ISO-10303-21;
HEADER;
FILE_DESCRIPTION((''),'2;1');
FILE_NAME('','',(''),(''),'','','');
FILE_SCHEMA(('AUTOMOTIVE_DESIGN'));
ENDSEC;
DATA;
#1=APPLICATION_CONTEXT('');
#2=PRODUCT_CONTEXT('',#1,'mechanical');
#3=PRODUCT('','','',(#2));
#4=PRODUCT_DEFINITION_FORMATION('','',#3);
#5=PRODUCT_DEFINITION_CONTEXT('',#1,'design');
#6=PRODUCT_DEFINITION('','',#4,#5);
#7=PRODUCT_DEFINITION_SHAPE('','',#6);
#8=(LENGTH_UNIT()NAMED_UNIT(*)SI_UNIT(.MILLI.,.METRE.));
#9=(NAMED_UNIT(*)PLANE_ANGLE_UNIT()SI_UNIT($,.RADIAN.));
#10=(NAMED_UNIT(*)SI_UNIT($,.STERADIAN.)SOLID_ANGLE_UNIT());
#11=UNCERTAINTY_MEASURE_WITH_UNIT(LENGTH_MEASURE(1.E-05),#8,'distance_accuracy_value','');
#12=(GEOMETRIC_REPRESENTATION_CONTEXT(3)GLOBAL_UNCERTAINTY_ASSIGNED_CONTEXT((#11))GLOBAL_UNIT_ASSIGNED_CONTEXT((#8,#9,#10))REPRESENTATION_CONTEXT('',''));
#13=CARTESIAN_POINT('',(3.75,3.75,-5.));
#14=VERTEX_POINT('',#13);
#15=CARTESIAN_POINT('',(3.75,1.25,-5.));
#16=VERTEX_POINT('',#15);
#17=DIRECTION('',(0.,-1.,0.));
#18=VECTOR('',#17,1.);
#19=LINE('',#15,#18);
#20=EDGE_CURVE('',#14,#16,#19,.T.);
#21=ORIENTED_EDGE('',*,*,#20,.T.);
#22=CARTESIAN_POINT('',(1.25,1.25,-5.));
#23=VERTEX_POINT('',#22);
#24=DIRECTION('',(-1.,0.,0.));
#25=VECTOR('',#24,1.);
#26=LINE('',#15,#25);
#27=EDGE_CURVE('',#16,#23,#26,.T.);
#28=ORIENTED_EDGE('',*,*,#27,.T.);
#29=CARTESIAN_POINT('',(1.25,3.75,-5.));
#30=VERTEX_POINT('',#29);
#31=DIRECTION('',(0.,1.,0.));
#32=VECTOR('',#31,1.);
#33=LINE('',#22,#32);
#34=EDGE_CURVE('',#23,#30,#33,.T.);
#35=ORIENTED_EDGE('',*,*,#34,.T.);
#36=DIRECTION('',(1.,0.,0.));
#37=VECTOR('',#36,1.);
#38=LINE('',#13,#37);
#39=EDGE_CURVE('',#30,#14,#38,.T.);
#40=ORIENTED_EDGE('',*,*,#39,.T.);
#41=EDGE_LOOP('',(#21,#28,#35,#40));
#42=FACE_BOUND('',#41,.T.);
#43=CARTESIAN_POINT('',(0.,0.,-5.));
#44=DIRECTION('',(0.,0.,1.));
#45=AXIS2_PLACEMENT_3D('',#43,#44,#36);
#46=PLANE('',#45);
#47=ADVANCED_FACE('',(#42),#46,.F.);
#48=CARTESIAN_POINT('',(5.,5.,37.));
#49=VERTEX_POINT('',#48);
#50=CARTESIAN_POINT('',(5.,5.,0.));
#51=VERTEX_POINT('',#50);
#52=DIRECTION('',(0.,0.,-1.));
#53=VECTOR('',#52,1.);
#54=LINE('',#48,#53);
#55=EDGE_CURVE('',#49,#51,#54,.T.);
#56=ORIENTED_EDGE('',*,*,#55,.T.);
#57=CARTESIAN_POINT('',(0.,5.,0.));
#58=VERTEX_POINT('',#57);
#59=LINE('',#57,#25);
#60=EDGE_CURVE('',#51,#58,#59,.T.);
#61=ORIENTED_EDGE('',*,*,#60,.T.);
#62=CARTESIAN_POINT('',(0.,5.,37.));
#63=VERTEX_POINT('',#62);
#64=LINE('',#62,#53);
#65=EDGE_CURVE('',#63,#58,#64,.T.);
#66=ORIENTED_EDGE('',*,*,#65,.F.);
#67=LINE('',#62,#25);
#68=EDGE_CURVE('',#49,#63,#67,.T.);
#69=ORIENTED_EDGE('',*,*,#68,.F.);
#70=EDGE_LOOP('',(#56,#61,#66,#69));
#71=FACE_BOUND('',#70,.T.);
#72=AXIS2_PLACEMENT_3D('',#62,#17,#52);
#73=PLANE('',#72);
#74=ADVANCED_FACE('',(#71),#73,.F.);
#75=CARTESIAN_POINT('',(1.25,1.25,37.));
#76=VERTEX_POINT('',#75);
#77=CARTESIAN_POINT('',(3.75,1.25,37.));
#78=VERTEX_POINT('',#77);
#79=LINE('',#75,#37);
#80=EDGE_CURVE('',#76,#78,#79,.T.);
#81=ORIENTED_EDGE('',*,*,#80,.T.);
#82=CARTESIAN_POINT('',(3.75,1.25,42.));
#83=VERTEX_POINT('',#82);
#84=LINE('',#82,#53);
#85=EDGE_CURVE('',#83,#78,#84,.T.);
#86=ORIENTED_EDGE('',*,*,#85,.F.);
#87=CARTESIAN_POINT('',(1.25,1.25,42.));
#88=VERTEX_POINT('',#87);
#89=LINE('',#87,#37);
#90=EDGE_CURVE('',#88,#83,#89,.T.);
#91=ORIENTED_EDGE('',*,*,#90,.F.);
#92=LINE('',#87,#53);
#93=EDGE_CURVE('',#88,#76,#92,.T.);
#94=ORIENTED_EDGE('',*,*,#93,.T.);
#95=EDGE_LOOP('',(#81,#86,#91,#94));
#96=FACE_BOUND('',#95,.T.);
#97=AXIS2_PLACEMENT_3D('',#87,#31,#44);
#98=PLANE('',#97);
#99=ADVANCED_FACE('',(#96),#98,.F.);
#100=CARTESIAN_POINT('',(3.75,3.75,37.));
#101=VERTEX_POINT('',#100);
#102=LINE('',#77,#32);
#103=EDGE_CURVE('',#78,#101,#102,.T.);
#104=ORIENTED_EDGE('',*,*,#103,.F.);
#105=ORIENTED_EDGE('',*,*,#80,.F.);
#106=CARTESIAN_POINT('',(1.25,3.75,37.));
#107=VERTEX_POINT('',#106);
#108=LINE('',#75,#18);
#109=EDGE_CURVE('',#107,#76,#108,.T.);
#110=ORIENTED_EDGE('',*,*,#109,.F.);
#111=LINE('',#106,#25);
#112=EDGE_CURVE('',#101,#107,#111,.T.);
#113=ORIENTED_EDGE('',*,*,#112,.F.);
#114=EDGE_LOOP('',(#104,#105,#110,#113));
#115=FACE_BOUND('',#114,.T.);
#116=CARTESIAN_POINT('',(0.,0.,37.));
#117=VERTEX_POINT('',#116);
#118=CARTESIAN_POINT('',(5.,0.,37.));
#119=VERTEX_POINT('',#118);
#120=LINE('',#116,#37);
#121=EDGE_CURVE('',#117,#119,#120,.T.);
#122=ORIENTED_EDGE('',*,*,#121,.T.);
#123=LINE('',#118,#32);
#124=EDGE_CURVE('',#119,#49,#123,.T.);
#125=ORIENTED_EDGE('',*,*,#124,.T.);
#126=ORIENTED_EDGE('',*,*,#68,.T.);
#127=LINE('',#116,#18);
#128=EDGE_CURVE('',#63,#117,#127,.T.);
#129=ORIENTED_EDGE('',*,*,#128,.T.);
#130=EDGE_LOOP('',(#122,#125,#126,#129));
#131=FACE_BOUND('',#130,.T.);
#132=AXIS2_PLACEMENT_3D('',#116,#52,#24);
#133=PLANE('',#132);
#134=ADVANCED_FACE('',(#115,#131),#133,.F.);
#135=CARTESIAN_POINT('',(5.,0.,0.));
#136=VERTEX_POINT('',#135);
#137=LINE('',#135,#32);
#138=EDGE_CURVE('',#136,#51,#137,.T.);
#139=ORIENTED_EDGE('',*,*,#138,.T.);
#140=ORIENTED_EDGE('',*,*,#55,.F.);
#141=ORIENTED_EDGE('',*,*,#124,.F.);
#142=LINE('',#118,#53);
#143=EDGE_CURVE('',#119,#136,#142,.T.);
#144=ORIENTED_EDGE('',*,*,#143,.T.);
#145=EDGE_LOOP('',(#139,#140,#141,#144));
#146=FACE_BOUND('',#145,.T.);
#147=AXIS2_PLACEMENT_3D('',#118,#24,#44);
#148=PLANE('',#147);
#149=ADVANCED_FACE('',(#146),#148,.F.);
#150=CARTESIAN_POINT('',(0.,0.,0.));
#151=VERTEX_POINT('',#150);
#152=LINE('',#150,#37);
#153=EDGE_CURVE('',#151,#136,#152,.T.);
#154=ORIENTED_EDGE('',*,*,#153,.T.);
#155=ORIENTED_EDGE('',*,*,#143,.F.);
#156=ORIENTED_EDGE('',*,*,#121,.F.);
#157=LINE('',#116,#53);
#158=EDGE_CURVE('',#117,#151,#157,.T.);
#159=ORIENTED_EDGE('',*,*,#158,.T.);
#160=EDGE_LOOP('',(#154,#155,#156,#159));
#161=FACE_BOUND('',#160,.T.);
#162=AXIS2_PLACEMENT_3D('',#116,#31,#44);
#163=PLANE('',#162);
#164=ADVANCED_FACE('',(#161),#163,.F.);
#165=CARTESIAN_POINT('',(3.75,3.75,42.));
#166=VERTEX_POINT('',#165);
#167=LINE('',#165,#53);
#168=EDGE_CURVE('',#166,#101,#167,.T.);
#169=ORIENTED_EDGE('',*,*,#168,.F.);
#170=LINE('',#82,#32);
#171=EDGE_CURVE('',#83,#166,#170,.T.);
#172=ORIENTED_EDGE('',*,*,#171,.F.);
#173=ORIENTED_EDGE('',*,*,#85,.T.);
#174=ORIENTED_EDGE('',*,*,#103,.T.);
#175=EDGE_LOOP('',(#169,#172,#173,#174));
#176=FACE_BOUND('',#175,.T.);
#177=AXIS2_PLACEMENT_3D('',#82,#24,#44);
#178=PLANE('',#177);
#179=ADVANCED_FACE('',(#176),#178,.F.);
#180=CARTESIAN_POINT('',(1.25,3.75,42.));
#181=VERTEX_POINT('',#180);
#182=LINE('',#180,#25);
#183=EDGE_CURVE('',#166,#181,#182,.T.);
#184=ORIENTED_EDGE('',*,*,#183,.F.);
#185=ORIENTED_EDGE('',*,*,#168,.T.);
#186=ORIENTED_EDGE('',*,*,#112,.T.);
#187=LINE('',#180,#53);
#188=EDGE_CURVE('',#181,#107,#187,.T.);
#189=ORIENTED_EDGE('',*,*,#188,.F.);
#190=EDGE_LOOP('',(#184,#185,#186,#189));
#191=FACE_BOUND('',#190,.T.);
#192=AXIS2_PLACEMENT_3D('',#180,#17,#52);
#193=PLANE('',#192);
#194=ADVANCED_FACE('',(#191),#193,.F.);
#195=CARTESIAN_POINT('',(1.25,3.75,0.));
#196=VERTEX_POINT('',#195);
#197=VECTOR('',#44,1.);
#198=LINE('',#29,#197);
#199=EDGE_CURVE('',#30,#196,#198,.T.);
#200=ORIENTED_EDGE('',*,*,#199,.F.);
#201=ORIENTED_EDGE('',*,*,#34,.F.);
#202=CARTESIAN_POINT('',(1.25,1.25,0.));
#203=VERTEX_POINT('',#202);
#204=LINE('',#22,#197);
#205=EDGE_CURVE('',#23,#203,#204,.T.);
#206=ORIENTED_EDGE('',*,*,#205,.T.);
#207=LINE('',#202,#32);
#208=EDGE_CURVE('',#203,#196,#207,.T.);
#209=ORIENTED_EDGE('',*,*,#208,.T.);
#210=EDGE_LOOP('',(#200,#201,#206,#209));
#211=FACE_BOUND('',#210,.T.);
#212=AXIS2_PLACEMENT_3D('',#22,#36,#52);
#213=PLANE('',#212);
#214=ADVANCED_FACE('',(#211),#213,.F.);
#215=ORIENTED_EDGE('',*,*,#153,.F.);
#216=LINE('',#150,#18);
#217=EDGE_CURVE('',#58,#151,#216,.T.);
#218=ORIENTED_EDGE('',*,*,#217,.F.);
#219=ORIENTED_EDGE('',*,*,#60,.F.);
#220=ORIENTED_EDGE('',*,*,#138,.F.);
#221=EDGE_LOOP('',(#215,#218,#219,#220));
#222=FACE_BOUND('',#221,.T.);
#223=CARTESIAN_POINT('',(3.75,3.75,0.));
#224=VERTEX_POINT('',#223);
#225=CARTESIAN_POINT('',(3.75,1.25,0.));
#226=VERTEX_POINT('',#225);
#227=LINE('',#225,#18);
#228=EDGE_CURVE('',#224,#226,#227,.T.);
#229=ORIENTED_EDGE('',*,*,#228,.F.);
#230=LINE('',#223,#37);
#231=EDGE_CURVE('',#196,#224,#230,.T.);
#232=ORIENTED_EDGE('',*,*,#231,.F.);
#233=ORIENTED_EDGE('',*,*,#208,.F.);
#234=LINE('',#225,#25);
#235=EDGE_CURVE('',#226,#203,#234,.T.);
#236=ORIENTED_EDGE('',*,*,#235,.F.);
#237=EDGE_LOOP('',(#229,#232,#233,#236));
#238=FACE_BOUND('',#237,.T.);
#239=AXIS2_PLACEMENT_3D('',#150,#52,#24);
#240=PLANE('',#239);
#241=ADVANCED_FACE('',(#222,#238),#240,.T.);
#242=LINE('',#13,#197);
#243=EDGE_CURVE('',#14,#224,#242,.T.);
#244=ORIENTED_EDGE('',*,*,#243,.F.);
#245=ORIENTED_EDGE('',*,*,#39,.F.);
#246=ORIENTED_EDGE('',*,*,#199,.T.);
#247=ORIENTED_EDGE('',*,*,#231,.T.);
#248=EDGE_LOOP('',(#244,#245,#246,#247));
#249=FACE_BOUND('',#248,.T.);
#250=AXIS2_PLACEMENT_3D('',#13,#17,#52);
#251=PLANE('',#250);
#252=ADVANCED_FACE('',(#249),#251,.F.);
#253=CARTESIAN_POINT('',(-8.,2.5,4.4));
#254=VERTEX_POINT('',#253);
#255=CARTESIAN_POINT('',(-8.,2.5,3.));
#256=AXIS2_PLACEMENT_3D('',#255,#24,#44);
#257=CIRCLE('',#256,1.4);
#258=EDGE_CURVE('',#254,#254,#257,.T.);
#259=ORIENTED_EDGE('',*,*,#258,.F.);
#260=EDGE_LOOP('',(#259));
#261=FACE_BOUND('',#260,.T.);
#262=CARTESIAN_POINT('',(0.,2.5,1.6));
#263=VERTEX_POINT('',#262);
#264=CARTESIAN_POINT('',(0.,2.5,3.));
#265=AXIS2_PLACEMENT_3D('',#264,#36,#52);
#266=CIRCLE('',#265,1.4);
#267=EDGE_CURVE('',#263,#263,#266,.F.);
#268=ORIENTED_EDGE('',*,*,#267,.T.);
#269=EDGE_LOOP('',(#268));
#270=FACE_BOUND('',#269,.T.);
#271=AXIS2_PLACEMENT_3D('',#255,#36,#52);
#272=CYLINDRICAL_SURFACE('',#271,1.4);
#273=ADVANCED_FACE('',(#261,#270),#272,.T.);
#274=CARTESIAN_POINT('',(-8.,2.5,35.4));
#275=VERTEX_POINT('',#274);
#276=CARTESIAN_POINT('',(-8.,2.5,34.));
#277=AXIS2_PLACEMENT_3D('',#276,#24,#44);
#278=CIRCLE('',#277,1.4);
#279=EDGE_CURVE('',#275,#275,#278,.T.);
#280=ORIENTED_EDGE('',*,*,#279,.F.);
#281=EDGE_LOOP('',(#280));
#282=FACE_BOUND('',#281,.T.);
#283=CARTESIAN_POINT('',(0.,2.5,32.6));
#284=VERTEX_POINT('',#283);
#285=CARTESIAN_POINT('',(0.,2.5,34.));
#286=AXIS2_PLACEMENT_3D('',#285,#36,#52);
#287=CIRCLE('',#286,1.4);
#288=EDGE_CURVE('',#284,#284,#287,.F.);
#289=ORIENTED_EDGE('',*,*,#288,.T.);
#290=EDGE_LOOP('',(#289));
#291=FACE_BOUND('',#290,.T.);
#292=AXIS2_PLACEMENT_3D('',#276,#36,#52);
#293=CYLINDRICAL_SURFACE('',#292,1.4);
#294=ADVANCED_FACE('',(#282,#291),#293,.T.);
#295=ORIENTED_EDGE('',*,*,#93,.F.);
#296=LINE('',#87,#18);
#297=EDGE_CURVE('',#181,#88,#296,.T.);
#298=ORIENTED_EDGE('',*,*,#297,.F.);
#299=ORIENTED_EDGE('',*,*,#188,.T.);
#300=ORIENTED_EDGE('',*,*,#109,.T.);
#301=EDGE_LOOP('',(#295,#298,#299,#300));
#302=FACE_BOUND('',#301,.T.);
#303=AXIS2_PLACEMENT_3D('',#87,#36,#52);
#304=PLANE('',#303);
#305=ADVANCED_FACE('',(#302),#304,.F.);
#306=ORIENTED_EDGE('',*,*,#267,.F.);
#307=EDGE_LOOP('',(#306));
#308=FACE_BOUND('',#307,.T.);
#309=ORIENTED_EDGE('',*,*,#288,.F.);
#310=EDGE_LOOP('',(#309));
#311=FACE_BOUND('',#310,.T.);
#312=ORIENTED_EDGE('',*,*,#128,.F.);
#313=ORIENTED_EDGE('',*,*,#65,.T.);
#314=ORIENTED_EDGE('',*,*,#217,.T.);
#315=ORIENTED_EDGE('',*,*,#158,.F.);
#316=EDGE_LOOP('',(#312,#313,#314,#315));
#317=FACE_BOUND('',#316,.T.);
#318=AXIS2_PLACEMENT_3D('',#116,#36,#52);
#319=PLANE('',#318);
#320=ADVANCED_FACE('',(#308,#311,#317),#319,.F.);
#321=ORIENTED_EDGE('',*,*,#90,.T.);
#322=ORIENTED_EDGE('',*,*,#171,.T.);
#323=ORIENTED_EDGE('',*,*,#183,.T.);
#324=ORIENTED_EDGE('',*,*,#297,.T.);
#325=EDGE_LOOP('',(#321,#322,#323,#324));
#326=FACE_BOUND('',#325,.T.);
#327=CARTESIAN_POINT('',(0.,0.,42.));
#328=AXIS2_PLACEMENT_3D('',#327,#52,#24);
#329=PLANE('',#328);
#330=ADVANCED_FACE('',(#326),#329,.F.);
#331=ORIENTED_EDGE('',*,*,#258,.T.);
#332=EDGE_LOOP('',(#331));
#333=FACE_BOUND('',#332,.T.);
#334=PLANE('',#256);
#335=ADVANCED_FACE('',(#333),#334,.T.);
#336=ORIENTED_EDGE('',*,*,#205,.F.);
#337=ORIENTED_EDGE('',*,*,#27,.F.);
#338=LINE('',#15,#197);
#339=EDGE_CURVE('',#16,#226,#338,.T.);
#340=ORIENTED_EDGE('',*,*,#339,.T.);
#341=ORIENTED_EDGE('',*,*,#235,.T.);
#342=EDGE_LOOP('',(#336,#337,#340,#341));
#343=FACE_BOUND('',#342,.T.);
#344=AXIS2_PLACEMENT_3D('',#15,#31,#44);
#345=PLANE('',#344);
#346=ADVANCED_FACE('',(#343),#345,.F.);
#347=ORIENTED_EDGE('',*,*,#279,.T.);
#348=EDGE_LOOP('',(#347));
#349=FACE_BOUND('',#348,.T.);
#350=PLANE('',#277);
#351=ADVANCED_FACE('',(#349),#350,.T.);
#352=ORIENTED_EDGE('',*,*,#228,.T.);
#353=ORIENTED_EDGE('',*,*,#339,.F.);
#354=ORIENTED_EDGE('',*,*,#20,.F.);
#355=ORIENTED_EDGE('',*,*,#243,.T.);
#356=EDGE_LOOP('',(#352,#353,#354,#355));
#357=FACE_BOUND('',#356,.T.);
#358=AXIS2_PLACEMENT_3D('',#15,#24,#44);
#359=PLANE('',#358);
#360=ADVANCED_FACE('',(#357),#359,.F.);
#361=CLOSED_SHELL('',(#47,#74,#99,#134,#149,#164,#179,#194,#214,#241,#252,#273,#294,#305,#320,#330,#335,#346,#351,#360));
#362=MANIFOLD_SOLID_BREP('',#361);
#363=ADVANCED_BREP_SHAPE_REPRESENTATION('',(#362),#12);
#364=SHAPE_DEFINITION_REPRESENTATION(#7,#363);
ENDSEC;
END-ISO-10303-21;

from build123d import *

# Parameters (mm, degrees)
SKETCH1_W           = 5
SKETCH1_H           = 5
BOSS_EXTRUDE1_DEPTH = 37
SKETCH2_W           = 2.5
SKETCH2_H           = 2.5
BOSS_EXTRUDE2_DEPTH = 5
SKETCH3_W           = 2.5
SKETCH3_H           = 2.5
BOSS_EXTRUDE3_DEPTH = 5
SKETCH4_R           = 1.4
BOSS_EXTRUDE4_DEPTH = 8


with BuildPart() as part:
    # Sketch1 → Boss-Extrude1 (new body)
    with BuildSketch(Plane.XY):
        with Locations((2.5, 2.5)):
            Rectangle(SKETCH1_W, SKETCH1_H)
    extrude(amount=BOSS_EXTRUDE1_DEPTH)

    # Sketch2 → Boss-Extrude2 (add)
    with BuildSketch(Plane.XY.offset(37)):
        with Locations((2.5, 2.5)):
            Rectangle(SKETCH2_W, SKETCH2_H)
    extrude(amount=BOSS_EXTRUDE2_DEPTH)

    # Sketch3 → Boss-Extrude3 (add)
    with BuildSketch(Plane(origin=(0, 0, 0), x_dir=(-1, 0, 0), z_dir=(0, 0, -1))):
        with Locations((-2.5, 2.5)):
            Rectangle(SKETCH3_W, SKETCH3_H)
    extrude(amount=BOSS_EXTRUDE3_DEPTH)

    # Sketch4 → Boss-Extrude4 (add)
    with BuildSketch(Plane.ZY):
        with Locations(Location((3, 2.5, 0), (0, 0, 180))):
            Circle(SKETCH4_R)
        with Locations(Location((34, 2.5, 0), (0, 0, 180))):
            Circle(SKETCH4_R)
    extrude(amount=BOSS_EXTRUDE4_DEPTH)


solid = part.part
